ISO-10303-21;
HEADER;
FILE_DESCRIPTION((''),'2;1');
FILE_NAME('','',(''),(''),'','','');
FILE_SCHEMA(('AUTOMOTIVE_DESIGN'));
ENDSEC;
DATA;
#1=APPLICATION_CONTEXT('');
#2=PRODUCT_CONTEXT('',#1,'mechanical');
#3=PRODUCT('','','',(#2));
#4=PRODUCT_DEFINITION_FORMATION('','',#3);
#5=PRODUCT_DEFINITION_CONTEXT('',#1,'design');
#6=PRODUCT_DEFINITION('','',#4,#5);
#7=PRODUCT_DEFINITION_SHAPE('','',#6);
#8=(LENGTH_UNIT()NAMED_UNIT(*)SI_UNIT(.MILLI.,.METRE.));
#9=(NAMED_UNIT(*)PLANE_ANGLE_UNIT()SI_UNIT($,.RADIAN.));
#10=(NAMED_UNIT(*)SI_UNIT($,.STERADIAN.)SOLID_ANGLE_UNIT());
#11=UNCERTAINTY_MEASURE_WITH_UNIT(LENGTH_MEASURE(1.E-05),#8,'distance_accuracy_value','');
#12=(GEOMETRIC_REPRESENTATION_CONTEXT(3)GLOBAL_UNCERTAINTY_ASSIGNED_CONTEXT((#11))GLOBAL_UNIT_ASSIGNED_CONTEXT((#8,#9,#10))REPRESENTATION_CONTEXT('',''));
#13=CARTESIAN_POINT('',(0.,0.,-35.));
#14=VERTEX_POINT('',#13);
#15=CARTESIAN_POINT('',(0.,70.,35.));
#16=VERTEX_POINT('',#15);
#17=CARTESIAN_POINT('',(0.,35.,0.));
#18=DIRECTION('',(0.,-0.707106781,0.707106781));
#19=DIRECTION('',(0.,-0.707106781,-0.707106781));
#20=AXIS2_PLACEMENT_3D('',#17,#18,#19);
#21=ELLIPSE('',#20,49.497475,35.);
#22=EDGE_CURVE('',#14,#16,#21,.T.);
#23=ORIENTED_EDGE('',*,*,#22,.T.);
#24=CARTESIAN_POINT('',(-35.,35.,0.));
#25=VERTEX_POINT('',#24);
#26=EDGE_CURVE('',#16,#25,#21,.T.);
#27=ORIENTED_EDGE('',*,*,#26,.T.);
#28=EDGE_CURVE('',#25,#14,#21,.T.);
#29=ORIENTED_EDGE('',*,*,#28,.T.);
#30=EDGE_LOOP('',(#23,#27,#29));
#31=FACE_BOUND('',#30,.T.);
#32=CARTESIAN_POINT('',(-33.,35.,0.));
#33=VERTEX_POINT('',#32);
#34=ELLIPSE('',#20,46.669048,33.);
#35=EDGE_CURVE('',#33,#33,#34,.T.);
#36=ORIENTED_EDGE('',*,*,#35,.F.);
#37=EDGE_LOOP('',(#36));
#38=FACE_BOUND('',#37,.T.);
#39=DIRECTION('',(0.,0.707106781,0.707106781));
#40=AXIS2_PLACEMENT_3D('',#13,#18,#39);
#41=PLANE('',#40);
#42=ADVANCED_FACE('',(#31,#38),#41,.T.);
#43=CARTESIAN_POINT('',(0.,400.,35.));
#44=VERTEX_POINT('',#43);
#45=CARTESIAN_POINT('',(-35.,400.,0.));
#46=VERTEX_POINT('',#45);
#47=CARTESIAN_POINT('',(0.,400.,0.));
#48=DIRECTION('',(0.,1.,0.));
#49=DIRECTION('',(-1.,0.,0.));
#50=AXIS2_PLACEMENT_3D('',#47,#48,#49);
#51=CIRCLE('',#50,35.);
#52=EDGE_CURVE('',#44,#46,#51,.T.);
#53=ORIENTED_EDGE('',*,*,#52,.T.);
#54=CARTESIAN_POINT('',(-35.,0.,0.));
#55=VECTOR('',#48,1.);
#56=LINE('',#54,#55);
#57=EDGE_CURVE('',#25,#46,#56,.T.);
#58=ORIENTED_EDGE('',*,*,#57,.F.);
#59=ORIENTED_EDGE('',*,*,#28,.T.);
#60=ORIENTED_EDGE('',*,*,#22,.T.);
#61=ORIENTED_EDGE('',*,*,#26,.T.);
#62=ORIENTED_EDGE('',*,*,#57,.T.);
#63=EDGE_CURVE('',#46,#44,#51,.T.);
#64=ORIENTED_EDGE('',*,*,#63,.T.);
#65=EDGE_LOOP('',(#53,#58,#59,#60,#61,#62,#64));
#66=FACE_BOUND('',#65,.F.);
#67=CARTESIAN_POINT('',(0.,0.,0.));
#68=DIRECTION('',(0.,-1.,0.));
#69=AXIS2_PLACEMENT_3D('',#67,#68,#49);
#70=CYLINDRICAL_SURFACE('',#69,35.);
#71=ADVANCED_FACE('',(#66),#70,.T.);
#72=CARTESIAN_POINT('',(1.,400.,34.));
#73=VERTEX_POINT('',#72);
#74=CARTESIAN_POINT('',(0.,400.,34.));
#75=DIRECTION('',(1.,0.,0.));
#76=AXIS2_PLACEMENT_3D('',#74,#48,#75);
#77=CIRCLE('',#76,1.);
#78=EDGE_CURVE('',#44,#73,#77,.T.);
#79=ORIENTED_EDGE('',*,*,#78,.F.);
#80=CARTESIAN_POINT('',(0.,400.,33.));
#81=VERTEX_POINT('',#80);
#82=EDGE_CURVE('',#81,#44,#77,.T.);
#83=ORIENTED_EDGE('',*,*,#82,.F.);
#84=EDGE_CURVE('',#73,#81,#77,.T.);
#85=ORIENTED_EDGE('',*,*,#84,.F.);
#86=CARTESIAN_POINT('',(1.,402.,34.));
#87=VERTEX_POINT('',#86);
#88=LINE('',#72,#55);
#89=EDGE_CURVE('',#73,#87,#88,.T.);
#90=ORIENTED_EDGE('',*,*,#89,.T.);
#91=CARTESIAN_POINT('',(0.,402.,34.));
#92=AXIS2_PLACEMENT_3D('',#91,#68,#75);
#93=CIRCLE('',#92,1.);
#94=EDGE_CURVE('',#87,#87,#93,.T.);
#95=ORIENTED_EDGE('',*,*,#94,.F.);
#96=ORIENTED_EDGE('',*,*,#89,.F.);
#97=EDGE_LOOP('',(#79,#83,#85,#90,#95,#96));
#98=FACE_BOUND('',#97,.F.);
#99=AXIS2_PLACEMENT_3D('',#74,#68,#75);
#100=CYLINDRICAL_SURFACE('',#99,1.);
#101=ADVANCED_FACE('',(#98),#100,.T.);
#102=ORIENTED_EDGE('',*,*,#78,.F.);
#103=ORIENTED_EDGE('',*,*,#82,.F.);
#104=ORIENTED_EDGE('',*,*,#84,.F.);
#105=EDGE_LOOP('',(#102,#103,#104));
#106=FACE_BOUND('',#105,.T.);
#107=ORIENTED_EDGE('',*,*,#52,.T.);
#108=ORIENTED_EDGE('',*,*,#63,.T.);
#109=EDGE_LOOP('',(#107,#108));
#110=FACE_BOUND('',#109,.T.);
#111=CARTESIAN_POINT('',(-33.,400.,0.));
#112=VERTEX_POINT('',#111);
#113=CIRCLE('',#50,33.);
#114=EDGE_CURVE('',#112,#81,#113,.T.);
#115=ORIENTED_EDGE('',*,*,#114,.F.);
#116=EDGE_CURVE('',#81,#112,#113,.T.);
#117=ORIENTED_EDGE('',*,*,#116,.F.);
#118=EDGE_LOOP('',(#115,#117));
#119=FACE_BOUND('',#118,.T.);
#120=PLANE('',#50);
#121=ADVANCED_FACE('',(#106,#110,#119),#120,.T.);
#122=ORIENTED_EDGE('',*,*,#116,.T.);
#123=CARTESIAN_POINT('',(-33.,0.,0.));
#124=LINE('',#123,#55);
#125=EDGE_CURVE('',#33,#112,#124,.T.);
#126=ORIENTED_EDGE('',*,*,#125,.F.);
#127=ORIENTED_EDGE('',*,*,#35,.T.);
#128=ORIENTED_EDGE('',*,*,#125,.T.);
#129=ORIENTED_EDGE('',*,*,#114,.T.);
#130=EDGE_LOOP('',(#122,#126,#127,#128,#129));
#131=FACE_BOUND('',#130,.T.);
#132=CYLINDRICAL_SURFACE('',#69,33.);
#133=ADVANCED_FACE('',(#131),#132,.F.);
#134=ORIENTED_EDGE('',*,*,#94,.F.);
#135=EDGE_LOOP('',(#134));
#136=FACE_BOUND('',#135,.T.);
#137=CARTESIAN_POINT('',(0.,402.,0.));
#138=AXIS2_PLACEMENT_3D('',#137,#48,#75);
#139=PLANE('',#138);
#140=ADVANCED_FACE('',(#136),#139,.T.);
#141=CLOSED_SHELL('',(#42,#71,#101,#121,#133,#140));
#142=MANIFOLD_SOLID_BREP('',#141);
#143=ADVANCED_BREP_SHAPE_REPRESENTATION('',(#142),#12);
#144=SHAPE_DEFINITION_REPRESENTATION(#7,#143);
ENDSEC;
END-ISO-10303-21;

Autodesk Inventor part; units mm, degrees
ref_plane "YZ Plane" through (0, 0, 0) normal (1, 0, 0) x (0, 1, 0)
ref_plane "XZ Plane" through (0, 0, 0) normal (0, 1, 0) x (-1, 0, 0)
ref_plane "XY Plane" through (0, 0, 0) normal (0, 0, 1) x (1, 0, 0)
sketch "Sketch1" plane through (0, 0, 0) normal (0, 1, 0) x (-1, 0, 0)
  circle A0 centre (0, 0) radius 35
  circle A1 centre (0, 0) radius 33
  dimension "d0" = 2
  dimension "d1" = 70
extrude "Extrusion1" add sketch "Sketch1" along normal blind 400
sketch "Sketch2" plane through (0, 0, 0) normal (1, 0, 0) x (0, 1, 0)
  line L0 (0, -35) -> (0, 35) projected
  line L1 (0, -35) -> (70, 35)
  line L2 (0, 35) -> (400, 35) projected
  point P0 (0, 0)
  dimension "d4" = 70
extrude "Extrusion2" cut sketch "Sketch2" along normal through all both and the other way through all
sketch "Sketch4" plane through (0, 400, 0) normal (0, 1, 0) x (1, 0, 0)
  circle A0 centre (0, -34) radius 1
  circle A1 centre (0, 0) radius 33 projected
  circle A2 centre (0, 0) radius 35 projected
extrude "Extrusion4" add sketch "Sketch4" along normal blind 2 contours A0
properties part number "Feul_Intake"
